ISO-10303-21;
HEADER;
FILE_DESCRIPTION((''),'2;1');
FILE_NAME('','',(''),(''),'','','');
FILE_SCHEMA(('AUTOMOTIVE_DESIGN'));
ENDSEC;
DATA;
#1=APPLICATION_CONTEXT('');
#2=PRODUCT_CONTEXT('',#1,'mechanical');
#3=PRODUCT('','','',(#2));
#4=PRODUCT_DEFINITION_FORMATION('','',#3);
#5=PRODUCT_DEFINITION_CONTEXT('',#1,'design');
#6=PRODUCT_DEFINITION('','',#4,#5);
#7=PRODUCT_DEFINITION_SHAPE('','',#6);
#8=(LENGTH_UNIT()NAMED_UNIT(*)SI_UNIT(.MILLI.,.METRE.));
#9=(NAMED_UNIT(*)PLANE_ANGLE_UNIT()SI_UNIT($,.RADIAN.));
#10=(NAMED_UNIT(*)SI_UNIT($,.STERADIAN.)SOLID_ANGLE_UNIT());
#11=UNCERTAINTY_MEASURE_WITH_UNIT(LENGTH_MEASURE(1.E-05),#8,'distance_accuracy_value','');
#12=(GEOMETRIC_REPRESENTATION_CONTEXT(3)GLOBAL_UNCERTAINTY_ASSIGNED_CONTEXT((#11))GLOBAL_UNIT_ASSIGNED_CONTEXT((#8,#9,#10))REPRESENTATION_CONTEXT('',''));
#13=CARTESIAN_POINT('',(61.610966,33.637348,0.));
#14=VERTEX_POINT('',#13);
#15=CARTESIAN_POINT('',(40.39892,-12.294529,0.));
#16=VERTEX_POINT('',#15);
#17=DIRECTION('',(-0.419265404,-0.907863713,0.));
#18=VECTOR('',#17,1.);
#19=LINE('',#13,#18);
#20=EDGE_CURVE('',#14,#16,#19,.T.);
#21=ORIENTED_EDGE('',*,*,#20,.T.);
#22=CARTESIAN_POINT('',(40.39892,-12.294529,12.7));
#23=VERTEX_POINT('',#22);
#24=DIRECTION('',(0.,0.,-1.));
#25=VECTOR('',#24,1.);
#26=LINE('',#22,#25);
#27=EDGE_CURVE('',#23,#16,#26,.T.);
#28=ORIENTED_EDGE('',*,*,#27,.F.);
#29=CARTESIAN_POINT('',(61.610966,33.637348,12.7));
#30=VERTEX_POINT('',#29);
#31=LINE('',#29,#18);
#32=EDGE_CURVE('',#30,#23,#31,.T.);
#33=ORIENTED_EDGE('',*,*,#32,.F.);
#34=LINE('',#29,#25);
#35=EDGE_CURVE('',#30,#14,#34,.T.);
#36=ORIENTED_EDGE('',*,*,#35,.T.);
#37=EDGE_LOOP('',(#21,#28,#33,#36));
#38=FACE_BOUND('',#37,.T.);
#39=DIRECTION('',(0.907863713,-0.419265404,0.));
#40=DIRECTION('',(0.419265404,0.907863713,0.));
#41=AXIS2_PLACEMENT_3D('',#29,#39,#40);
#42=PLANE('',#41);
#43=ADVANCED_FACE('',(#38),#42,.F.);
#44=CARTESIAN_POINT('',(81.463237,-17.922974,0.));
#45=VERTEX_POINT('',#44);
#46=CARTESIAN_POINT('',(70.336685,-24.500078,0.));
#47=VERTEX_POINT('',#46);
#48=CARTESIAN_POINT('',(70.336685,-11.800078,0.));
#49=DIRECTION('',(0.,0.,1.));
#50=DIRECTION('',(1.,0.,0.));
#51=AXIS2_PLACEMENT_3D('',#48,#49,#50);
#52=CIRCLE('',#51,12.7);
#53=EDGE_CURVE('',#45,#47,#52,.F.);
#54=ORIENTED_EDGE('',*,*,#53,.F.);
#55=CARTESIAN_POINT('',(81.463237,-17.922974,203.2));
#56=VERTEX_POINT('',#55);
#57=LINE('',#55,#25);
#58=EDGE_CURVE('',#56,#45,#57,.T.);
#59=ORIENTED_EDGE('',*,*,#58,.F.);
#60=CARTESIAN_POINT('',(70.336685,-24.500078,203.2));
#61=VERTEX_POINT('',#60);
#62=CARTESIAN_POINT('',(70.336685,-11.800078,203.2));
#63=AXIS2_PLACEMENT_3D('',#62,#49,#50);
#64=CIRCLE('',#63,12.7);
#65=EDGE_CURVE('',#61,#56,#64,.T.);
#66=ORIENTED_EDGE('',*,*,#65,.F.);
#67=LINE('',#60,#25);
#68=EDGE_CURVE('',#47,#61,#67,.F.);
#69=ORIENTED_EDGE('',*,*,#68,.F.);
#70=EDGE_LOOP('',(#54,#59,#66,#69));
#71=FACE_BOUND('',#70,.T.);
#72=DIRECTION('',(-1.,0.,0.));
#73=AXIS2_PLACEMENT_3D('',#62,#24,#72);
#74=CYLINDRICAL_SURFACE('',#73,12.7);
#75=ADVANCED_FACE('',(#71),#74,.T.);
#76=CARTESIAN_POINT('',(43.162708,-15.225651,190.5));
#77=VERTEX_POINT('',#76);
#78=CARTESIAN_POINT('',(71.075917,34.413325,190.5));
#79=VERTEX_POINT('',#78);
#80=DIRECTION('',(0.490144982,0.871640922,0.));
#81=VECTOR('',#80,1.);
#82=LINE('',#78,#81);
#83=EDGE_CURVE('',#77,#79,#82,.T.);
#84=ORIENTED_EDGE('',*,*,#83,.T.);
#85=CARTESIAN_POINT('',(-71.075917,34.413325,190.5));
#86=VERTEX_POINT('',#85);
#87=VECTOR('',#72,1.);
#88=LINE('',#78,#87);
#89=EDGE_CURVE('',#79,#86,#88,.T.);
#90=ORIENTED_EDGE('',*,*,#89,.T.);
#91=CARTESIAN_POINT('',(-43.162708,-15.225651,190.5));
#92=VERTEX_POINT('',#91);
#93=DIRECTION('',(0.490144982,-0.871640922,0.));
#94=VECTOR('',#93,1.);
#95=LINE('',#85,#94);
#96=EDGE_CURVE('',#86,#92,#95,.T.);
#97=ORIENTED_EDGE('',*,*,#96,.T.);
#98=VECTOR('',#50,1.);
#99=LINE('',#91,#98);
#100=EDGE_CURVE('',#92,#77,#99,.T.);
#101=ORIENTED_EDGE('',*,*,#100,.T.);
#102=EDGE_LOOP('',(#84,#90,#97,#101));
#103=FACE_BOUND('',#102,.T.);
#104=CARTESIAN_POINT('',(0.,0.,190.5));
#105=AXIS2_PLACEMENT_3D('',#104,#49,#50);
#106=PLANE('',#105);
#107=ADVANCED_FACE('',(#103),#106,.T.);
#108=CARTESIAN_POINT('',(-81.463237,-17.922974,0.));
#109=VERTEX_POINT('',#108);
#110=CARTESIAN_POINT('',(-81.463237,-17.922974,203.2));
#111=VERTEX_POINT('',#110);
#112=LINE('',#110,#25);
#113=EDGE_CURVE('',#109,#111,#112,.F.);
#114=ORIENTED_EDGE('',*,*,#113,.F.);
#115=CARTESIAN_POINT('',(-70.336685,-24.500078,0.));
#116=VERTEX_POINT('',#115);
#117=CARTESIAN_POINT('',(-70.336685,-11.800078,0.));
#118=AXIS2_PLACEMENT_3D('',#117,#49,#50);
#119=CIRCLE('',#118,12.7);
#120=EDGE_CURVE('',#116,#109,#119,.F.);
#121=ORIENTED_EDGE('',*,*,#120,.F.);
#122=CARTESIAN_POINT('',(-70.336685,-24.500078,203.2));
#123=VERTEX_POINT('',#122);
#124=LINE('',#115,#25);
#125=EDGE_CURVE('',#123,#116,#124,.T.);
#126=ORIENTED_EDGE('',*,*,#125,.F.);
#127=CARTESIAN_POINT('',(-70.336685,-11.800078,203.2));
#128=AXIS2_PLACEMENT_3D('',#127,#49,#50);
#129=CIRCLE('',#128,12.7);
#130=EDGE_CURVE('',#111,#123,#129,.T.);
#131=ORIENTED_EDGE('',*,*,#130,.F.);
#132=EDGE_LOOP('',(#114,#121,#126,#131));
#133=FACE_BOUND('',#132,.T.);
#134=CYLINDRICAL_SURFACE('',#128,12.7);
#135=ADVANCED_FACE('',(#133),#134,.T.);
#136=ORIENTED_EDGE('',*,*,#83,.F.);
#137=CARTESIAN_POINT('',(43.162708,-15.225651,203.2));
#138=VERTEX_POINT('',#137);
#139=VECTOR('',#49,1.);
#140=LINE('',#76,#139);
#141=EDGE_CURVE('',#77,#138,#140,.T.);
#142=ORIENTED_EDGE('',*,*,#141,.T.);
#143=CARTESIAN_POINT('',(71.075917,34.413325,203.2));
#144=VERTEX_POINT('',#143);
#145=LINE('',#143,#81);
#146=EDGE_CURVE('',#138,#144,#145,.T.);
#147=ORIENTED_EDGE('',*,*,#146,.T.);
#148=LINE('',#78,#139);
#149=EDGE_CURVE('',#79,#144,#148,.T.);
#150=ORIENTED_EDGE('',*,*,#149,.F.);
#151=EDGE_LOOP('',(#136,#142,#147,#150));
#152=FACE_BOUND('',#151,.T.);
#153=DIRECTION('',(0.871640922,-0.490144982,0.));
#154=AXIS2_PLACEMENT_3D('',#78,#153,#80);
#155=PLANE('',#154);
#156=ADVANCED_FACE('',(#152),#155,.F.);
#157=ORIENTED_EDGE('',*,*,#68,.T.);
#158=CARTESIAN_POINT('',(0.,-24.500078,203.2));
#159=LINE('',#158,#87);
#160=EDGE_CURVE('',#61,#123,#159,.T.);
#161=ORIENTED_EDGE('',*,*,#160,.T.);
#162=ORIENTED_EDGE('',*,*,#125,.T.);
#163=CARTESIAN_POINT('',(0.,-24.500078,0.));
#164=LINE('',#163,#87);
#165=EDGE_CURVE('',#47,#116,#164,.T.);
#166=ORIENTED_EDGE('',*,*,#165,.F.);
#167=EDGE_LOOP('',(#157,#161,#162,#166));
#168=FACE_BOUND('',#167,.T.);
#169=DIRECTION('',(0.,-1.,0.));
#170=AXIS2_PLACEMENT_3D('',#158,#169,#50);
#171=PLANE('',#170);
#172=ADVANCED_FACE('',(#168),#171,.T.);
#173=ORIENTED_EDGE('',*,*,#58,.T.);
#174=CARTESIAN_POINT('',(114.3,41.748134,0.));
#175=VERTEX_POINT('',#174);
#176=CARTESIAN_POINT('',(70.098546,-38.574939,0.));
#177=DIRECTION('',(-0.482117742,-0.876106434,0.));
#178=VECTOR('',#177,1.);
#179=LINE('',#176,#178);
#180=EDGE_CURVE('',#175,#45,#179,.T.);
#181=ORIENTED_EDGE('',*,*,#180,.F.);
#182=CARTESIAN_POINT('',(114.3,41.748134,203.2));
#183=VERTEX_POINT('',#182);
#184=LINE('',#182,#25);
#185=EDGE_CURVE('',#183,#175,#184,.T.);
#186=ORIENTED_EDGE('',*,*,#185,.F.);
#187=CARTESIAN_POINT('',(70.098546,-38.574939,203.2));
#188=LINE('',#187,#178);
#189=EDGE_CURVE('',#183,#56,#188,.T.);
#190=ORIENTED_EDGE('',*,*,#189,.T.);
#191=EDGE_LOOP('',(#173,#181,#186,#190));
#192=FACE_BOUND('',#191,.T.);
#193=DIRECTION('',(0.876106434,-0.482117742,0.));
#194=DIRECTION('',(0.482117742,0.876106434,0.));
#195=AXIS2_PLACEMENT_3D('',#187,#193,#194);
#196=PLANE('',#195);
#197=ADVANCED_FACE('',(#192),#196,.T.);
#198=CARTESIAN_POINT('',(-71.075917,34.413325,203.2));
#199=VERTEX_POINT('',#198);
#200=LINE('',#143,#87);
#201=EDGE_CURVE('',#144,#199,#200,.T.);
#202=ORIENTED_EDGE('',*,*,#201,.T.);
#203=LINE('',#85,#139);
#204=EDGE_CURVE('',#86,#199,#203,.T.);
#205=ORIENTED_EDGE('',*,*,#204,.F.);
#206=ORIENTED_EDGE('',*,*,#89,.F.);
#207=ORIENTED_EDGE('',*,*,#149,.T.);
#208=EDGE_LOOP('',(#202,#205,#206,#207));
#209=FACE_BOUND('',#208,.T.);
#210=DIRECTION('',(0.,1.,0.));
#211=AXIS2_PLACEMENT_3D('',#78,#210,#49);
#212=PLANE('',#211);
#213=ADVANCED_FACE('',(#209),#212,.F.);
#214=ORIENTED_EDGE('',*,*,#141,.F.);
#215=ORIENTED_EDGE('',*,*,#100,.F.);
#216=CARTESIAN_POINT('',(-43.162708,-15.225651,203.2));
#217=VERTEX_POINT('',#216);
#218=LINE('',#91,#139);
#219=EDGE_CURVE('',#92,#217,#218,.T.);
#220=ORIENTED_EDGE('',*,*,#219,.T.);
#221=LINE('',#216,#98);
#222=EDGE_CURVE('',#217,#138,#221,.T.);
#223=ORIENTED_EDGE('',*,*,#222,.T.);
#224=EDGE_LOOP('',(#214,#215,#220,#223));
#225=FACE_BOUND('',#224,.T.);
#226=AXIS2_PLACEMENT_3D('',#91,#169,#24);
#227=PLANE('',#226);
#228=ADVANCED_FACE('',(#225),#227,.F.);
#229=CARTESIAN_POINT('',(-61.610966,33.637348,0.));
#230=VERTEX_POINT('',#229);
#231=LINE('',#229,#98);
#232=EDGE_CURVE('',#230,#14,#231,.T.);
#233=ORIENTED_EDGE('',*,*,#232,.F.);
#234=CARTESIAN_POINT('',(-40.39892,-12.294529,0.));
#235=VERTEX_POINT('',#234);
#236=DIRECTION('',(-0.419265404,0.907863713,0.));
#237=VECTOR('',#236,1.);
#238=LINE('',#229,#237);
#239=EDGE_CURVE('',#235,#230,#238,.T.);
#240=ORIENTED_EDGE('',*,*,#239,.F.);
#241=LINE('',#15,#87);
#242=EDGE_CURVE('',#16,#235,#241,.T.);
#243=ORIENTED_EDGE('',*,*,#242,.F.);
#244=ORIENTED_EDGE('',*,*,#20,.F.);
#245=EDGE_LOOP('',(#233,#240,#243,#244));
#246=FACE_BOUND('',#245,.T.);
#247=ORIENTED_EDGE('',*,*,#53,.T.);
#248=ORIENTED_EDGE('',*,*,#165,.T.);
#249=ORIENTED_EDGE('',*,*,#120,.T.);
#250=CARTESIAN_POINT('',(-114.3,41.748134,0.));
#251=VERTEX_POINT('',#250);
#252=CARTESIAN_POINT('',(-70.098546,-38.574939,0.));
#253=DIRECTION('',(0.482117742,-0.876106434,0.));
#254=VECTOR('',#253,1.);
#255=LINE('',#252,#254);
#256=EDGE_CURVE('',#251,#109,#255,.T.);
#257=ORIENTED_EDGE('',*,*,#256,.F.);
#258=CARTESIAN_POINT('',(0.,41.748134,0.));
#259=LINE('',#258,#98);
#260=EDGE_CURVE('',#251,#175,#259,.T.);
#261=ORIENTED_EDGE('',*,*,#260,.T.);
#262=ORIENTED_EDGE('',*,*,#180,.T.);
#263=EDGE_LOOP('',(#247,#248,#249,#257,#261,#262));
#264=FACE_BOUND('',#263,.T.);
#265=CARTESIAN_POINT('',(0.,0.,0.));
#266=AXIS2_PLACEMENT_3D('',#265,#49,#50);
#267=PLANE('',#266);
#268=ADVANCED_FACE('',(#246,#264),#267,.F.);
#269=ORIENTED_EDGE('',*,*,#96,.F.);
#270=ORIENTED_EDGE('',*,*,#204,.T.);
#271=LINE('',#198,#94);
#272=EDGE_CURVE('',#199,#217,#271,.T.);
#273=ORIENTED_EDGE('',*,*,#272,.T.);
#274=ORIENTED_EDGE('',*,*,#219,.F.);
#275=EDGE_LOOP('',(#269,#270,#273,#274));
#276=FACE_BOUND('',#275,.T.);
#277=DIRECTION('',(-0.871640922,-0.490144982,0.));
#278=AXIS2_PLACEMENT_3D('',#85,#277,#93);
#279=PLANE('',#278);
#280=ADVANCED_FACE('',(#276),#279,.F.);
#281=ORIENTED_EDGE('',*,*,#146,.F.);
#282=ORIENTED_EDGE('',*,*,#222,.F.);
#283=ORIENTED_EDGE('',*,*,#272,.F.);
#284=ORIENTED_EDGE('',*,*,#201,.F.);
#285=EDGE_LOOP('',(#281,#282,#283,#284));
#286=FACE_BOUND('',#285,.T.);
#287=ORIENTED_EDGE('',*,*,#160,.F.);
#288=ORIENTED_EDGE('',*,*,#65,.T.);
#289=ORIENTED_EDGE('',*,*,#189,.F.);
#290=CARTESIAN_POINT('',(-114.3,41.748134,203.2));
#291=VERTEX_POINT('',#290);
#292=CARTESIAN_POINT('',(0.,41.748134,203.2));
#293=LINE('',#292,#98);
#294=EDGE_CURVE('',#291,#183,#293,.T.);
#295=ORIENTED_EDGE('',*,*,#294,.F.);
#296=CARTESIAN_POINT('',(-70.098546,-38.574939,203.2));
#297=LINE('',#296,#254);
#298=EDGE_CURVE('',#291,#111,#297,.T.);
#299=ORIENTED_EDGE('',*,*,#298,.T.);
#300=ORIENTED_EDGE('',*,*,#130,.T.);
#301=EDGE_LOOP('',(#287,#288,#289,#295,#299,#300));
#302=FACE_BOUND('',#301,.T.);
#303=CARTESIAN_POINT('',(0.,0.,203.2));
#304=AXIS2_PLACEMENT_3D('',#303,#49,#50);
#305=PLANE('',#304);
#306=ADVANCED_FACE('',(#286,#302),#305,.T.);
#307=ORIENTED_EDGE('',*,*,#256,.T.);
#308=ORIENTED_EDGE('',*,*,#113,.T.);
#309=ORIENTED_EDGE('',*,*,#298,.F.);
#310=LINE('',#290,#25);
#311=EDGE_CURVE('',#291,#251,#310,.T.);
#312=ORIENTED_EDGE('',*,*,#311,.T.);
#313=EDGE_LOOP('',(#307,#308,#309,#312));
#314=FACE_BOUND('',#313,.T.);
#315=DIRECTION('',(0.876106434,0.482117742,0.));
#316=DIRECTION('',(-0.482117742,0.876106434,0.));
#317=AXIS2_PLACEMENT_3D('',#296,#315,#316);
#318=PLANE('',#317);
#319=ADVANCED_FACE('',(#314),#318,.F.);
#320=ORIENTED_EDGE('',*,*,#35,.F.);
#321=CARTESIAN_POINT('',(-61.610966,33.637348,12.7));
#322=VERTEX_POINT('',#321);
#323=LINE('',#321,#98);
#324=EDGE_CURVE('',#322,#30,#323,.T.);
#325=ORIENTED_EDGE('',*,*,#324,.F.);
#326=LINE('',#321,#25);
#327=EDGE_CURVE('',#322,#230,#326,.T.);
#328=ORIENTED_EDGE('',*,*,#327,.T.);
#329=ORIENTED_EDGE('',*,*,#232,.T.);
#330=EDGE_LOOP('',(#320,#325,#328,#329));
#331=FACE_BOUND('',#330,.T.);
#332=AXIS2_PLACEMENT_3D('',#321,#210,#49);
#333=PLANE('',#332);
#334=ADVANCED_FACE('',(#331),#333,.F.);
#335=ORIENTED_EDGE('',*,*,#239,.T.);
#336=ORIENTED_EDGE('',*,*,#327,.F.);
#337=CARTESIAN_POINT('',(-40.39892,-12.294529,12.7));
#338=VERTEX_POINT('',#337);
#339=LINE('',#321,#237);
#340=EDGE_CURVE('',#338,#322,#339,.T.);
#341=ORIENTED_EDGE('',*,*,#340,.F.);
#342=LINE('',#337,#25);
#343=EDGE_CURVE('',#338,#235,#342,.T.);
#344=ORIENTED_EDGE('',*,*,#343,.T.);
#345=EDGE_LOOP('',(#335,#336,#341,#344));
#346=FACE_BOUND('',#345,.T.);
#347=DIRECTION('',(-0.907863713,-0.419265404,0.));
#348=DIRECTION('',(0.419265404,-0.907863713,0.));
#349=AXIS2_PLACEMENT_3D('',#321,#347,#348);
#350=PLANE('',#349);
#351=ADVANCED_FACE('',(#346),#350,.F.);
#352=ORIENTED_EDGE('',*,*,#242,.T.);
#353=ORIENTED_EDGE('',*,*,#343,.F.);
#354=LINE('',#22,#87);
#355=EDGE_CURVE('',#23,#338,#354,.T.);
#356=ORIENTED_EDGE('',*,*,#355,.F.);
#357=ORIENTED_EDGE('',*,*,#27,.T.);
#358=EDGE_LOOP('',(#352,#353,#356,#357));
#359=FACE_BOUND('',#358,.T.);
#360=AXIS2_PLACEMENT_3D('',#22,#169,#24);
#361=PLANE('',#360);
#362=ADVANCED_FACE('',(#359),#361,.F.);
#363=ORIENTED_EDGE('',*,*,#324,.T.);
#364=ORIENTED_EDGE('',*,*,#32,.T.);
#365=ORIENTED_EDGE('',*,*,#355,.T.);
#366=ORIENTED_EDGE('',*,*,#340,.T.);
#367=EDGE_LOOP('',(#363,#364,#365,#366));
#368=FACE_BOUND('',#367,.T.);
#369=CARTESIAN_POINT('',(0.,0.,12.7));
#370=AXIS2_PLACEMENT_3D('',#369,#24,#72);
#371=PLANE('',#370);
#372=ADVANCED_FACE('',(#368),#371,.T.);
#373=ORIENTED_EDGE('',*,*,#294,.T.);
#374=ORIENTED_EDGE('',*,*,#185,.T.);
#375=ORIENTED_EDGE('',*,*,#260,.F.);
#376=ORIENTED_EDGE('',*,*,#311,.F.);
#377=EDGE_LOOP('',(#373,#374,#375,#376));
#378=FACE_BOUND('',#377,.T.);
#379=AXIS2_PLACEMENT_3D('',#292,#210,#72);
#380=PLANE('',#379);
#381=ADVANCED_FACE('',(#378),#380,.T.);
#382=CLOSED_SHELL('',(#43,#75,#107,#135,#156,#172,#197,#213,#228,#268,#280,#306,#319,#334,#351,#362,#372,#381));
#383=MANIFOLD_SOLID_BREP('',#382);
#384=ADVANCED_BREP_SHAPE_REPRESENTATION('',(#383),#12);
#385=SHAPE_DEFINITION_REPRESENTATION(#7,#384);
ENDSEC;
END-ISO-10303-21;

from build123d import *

# Parameters (mm, degrees)
BOSS_EXTRUDE1_DEPTH = 203.2
CUT_EXTRUDE1_DEPTH  = 12.7
CUT_EXTRUDE2_DEPTH  = 12.7
FILLET3_R           = 12.7


with BuildPart() as part:
    # Sketch1 → Boss-Extrude1 (new body)
    with BuildSketch(Plane.XY):
        Polygon((-114.3, 41.748133631), (-77.843883309, -24.500078422), (77.843883309, -24.500078422), (114.3, 41.748133631), align=None)
    extrude(amount=BOSS_EXTRUDE1_DEPTH)

    # Sketch2 → Cut-Extrude1 (cut)
    with BuildSketch(Plane(origin=(0, 0, 0), x_dir=(-1, 0, 0), z_dir=(0, 0, -1))):
        Polygon((61.610965664, 33.637347898), (-61.610965664, 33.637347898), (-40.398919629, -12.294528868), (40.398919629, -12.294528868), align=None)
    extrude(amount=-CUT_EXTRUDE1_DEPTH, mode=Mode.SUBTRACT)

    # Sketch3 → Cut-Extrude2 (cut)
    with BuildSketch(Plane.XY.offset(203.2)):
        Polygon((71.075916858, 34.413325386), (-71.075916858, 34.413325386), (-43.162708171, -15.225650552), (43.162708171, -15.225650552), align=None)
    extrude(amount=-CUT_EXTRUDE2_DEPTH, mode=Mode.SUBTRACT)

    # Fillet3
    fillet3_edges = [part.edges().sort_by_distance(p)[0] for p in [
        (-77.843883309, -24.500078422, 101.6),
        (77.843883309, -24.500078422, 101.6),
    ]]
    fillet(fillet3_edges, radius=FILLET3_R)


solid = part.part
